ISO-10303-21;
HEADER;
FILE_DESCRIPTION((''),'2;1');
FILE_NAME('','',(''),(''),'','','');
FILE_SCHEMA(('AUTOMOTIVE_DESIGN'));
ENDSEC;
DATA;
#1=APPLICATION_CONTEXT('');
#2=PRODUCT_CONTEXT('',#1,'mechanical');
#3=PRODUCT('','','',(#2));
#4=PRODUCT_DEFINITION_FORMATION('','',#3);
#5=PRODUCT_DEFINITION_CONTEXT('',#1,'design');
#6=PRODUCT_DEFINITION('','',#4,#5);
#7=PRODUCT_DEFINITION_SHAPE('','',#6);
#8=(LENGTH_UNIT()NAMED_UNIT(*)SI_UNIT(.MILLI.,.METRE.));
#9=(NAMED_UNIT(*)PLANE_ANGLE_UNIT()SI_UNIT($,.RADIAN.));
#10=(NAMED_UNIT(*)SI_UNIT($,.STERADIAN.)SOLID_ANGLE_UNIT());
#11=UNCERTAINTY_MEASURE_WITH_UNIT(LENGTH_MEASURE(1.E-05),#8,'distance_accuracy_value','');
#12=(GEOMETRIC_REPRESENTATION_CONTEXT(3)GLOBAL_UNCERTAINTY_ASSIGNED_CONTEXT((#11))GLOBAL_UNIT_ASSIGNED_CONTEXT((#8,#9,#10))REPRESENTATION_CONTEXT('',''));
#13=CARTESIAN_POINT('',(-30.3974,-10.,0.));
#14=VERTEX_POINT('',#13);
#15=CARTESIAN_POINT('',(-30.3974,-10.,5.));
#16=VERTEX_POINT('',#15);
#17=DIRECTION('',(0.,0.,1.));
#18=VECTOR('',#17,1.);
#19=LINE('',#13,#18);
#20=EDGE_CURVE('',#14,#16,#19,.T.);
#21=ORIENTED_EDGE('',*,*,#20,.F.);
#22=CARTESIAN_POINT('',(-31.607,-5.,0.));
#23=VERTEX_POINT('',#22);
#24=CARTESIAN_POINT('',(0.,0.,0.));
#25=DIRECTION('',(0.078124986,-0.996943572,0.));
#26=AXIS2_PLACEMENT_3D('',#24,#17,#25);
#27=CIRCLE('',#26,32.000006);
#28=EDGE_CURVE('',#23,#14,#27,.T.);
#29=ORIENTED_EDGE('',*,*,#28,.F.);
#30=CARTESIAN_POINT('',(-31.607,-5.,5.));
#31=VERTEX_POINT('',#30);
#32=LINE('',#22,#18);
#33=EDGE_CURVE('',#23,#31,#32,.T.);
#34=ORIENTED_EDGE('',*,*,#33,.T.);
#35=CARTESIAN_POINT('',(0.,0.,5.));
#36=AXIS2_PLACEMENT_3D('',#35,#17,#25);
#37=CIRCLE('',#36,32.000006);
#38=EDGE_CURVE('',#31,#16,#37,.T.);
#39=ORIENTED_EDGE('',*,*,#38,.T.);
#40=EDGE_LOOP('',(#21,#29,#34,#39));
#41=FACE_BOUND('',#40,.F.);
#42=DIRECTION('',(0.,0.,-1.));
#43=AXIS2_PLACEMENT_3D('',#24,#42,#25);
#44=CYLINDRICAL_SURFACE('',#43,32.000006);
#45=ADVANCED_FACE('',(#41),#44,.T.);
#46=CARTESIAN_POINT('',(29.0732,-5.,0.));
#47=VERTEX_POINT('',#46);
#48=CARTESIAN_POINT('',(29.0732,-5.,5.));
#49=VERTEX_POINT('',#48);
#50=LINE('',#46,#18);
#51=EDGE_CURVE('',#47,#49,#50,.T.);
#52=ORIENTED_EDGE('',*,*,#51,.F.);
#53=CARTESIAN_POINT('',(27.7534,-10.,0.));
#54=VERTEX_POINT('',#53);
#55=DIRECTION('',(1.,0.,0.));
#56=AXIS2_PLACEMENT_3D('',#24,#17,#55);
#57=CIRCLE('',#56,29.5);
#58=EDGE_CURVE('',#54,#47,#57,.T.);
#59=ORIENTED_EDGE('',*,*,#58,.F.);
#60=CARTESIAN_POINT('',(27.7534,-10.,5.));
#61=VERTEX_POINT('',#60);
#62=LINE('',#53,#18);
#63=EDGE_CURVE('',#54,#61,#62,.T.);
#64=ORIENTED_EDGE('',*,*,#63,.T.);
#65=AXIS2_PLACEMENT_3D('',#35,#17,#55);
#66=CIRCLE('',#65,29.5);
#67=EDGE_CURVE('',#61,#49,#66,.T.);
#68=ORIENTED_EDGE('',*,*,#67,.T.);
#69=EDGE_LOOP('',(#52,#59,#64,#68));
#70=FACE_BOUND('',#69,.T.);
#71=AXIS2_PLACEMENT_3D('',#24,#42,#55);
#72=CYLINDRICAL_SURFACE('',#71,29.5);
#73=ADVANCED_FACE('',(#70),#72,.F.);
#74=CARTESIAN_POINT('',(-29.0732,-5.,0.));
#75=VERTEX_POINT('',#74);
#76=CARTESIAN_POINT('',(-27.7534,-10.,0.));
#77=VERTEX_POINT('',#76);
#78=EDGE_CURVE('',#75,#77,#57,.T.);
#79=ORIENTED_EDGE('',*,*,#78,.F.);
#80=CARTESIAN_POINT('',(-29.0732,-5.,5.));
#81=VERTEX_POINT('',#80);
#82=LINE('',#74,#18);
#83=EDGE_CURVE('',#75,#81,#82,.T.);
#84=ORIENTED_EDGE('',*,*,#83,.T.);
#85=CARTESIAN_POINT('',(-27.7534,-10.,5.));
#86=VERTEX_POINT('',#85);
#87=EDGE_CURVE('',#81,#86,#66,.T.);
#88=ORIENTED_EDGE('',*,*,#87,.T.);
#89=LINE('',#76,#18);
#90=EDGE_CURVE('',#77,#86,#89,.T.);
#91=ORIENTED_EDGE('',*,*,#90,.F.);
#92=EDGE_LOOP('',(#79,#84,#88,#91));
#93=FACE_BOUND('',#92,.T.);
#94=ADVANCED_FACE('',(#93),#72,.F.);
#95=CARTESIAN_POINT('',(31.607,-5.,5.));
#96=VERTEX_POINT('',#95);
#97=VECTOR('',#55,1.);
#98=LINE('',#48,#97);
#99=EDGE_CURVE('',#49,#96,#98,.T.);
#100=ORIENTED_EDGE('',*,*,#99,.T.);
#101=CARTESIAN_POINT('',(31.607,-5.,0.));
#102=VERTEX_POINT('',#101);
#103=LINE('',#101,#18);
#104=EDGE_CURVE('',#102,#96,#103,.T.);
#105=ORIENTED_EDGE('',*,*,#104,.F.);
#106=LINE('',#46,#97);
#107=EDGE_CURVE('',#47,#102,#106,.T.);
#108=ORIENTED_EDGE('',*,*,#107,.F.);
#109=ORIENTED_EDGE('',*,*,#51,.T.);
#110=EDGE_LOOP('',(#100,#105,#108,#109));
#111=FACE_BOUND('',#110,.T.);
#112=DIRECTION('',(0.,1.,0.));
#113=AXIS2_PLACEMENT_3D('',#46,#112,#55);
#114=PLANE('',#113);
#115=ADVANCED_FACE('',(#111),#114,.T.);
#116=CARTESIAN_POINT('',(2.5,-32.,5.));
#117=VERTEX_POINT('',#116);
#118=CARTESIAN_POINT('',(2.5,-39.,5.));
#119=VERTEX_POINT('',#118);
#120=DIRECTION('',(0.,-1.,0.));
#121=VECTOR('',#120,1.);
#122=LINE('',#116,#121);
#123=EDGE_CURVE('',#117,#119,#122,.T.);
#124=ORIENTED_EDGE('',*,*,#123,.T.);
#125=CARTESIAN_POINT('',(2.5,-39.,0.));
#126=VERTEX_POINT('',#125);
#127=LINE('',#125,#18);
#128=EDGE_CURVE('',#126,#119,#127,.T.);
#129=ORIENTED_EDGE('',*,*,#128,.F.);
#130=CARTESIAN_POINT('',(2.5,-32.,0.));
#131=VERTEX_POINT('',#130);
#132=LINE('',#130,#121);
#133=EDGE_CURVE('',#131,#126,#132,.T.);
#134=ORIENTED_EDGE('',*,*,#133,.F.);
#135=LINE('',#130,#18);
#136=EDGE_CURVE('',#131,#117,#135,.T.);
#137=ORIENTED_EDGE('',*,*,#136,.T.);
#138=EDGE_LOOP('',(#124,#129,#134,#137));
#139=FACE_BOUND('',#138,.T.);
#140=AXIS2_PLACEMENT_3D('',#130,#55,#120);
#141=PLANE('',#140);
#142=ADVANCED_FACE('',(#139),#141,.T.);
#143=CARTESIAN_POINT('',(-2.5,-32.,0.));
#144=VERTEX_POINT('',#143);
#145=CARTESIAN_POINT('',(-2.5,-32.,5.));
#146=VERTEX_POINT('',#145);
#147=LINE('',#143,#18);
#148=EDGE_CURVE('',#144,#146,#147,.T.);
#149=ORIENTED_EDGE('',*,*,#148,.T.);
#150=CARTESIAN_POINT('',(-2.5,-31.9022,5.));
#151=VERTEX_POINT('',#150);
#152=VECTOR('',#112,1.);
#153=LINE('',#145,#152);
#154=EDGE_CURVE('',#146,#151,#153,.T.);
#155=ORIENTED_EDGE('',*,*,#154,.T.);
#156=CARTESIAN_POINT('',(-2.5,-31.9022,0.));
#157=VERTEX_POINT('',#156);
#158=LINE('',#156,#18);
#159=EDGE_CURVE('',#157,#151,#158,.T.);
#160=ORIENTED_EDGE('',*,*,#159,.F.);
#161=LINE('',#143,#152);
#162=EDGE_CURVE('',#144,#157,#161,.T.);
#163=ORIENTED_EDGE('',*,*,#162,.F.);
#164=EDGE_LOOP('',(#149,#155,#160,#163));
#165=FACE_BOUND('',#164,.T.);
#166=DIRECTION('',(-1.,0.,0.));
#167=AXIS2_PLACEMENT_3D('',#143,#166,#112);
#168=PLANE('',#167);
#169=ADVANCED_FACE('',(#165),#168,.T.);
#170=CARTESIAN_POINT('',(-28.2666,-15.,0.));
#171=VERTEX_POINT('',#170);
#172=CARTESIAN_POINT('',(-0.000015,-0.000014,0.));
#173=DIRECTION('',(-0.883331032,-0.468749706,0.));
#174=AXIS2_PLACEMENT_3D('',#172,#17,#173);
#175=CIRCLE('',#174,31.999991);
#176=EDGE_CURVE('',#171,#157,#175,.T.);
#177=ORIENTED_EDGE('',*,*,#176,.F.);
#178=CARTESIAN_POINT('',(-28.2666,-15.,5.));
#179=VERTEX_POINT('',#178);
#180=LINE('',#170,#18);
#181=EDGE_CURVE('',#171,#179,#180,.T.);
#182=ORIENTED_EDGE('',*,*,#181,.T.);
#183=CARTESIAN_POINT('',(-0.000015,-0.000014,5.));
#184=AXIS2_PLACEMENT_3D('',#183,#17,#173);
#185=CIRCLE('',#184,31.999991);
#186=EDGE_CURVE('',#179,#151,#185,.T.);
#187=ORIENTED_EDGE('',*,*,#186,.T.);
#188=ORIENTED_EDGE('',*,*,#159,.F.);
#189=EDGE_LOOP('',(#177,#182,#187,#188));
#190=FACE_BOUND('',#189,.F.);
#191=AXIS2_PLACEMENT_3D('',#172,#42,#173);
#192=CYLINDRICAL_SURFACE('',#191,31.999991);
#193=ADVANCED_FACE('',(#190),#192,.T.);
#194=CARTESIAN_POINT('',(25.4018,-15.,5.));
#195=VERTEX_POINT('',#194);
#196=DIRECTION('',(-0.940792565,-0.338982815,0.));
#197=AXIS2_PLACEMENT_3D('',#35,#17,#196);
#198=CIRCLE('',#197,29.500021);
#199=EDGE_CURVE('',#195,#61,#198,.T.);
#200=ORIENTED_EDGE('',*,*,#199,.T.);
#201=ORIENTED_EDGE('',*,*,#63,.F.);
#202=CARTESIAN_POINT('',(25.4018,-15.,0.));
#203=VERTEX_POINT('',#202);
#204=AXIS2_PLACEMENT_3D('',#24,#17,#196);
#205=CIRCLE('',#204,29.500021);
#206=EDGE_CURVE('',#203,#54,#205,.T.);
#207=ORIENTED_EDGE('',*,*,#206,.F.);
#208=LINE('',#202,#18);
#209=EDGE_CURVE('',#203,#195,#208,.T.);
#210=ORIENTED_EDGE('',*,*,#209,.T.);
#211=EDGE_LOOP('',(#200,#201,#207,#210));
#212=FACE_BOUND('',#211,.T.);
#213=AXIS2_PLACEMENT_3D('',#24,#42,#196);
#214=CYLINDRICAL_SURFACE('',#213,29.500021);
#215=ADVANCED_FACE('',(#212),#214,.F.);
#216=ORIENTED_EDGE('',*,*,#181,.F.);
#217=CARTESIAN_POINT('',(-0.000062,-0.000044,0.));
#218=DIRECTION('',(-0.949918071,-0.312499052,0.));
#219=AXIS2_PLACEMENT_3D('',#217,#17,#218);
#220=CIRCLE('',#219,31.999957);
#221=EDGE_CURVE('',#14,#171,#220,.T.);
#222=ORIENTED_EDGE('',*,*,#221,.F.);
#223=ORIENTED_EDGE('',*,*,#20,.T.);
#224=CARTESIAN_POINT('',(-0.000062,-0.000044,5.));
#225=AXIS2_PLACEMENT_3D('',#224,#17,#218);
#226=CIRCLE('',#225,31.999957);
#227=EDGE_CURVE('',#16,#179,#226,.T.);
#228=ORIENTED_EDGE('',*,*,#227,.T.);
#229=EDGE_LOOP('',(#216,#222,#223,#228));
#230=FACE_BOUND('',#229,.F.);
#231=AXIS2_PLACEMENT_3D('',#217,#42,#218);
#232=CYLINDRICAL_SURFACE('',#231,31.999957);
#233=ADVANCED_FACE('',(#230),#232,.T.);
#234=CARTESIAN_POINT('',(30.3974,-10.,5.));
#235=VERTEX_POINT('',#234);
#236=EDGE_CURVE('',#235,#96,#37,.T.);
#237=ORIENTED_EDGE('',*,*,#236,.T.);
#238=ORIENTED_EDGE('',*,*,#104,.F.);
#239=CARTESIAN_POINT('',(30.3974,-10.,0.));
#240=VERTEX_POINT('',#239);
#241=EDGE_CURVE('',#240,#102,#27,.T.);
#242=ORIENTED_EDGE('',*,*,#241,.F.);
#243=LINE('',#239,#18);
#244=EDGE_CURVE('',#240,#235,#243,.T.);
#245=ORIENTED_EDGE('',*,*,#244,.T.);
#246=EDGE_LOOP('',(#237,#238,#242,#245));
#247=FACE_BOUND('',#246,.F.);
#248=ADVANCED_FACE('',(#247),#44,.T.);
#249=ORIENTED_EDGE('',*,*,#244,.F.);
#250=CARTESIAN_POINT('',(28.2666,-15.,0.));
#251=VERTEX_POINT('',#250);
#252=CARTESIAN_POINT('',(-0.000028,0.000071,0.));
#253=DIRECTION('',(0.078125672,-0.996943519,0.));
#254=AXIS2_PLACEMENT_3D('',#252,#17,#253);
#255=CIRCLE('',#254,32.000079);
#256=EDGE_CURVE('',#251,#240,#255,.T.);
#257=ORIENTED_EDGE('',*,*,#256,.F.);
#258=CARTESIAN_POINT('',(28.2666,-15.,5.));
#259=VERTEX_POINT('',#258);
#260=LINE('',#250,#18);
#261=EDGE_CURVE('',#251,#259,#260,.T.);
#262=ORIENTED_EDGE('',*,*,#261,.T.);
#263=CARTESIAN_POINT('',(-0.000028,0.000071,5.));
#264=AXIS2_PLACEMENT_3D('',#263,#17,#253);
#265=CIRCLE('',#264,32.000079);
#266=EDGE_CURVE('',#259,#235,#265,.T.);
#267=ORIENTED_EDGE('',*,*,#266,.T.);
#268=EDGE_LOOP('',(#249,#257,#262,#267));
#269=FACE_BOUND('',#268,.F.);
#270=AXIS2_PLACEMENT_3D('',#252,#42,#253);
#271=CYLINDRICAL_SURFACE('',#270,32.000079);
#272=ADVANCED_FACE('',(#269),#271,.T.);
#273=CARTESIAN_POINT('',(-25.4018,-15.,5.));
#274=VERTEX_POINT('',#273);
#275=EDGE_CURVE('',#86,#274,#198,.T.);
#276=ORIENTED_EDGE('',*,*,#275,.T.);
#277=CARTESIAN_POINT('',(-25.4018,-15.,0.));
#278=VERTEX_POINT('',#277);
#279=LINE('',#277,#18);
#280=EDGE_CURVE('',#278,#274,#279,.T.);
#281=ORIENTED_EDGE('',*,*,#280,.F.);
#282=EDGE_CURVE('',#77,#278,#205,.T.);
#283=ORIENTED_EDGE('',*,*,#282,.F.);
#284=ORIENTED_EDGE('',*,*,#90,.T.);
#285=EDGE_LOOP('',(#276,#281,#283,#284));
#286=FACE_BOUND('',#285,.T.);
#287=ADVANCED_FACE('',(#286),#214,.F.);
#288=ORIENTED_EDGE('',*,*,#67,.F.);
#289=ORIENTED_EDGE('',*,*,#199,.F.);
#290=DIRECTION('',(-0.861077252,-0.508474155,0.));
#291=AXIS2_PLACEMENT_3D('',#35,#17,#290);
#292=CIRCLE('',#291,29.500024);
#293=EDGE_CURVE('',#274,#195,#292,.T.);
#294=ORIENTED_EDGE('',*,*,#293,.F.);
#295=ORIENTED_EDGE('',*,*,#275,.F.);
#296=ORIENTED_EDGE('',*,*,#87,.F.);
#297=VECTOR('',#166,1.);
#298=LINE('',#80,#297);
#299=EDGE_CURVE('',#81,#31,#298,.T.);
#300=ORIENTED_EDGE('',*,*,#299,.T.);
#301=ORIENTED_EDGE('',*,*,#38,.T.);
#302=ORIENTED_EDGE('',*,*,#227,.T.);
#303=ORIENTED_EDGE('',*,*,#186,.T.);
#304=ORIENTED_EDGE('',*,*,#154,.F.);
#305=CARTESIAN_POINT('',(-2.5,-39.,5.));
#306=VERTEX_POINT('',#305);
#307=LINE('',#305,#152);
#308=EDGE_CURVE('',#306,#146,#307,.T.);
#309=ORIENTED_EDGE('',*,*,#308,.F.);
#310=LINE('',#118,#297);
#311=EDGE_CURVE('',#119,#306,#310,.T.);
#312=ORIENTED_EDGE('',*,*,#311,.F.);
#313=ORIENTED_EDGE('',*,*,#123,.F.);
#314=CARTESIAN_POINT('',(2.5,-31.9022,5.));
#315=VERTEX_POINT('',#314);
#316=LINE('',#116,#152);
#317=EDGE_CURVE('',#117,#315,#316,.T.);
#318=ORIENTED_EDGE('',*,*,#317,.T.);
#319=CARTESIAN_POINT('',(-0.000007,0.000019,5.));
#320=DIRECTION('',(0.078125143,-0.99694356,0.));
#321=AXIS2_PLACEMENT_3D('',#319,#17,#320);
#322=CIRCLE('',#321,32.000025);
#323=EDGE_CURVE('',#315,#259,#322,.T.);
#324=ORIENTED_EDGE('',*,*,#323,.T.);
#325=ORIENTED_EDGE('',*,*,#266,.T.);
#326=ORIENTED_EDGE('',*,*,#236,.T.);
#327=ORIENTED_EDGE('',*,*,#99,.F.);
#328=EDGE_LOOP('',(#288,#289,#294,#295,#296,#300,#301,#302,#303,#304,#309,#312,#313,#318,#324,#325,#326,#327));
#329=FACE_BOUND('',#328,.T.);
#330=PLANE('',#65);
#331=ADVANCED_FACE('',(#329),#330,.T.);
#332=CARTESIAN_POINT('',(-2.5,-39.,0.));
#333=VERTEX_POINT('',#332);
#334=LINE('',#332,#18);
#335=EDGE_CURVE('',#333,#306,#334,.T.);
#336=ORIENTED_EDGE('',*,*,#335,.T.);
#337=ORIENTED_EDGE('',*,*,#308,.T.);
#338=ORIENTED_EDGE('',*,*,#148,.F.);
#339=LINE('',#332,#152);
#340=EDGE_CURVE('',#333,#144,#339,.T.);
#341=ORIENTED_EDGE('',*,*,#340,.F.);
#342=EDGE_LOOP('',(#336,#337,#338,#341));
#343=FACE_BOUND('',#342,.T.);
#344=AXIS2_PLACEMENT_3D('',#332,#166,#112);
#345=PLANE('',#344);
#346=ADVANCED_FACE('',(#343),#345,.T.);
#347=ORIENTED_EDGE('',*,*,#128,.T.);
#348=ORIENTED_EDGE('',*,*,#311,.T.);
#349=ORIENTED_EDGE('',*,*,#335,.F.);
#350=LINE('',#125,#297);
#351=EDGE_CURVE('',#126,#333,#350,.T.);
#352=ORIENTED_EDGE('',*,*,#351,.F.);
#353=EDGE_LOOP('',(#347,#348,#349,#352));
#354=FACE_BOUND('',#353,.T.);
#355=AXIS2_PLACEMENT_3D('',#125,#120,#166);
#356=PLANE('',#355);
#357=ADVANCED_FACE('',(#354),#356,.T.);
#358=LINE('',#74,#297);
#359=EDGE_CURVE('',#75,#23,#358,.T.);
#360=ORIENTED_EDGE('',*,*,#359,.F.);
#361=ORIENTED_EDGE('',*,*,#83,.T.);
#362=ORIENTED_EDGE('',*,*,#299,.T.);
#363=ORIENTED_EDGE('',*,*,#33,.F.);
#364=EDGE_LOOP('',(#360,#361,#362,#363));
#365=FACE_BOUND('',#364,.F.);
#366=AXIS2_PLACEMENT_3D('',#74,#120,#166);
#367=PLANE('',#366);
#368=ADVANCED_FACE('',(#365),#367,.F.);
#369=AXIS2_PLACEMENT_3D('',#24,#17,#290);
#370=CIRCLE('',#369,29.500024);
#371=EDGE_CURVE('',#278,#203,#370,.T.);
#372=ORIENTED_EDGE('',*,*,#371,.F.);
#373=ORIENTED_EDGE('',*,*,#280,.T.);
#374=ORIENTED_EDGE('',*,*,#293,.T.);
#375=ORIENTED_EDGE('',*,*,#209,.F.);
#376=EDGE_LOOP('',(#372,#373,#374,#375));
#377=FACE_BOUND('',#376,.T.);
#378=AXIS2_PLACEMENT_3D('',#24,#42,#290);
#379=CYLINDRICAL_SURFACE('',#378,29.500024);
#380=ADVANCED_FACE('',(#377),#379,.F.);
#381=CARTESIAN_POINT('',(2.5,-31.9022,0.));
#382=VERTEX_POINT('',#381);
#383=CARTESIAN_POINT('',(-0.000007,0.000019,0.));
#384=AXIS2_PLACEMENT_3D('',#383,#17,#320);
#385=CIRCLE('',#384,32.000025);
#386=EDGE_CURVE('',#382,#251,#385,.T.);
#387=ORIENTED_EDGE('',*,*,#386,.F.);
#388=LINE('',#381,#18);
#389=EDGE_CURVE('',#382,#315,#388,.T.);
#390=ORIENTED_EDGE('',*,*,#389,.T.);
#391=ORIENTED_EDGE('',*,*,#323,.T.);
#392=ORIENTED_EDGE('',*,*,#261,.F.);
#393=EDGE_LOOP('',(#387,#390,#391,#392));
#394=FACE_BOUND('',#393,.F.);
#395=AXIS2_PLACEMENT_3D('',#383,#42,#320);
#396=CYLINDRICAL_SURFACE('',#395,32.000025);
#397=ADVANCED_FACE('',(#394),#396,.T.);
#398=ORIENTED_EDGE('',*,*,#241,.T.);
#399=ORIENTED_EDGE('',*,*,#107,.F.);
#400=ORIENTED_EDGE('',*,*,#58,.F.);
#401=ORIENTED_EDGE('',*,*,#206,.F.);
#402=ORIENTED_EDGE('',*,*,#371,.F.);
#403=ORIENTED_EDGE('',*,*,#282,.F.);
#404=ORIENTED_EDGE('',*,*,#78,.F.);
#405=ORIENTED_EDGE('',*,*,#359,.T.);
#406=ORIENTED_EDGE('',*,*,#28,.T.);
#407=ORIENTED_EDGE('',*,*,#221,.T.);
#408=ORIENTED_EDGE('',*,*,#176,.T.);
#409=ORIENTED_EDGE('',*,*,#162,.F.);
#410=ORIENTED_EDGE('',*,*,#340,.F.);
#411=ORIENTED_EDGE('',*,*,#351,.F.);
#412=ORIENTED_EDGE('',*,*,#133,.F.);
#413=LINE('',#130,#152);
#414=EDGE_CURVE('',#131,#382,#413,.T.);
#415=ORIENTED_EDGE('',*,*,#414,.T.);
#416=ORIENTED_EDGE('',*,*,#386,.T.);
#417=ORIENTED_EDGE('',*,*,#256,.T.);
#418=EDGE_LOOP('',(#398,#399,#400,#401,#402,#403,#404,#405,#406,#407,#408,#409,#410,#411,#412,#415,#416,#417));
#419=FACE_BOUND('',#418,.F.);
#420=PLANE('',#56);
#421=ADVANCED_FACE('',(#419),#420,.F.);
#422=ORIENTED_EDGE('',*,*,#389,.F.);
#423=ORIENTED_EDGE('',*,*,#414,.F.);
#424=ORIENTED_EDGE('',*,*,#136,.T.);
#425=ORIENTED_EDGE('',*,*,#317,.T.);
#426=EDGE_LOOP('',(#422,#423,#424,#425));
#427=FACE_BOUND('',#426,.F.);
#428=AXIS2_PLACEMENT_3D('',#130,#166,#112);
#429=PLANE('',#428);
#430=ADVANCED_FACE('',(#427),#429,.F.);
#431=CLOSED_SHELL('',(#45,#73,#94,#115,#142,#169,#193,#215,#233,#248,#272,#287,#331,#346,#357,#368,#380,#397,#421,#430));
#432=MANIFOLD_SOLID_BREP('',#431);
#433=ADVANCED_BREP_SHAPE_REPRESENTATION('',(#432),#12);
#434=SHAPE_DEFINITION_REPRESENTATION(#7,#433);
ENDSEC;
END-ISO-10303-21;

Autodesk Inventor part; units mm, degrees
ref_plane "YZ Plane" through (0, 0, 0) normal (1, 0, 0) x (0, 1, 0)
ref_plane "XZ Plane" through (0, 0, 0) normal (0, 1, 0) x (-1, 0, 0)
ref_plane "XY Plane" through (0, 0, 0) normal (0, 0, 1) x (1, 0, 0)
sketch "Sketch1" plane through (0, 0, 0) normal (0, 0, 1) x (1, 0, 0)
  arc A0 (-25.4018, -15) -> (25.4018, -15) centre (0, 0) ccw
  line L0 (2.5, -32) -> (2.5, -39)
  line L1 (2.5, -39) -> (-2.5, -39)
  line L2 (-2.5, -39) -> (-2.5, -32)
  line L3 (-2.5, -32) -> (-2.5, -31.9022)
  line L4 (2.5, -32) -> (2.5, -31.9022)
  arc A1 (-28.2666, -15) -> (-2.5, -31.9022) centre (0, 0) ccw
  arc A2 (2.5, -31.9022) -> (28.2666, -15) centre (0, 0) ccw
  arc A3 (-27.7534, -10) -> (27.7534, -10) centre (0, 0) ccw
  arc A4 (-30.3974, -10) -> (-2.5, -31.9022) centre (0, 0) ccw
  arc A5 (2.5, -31.9022) -> (30.3974, -10) centre (0, 0) ccw
  circle A6 centre (0, 0) radius 29.5
  arc A7 (2.5, -31.9022) -> (-2.5, -31.9022) centre (0, 0) ccw
  line L5 (-29.0732, -5) -> (-31.607, -5)
  line L6 (29.0732, -5) -> (31.607, -5)
  point P0 (25.4018, -15)
  point P1 (-28.2666, -15)
  point P2 (27.7534, -10)
  point P3 (-30.3974, -10)
  dimension "d43" = 5
  dimension "d64" = 7
extrude "Extrusion7" add sketch "Sketch1" along normal blind 5 contours A0 A3 A6 L6 A7 A5 A2 L4 L0 L1 L2 L3 A1 A4 L5
properties part number "Clip_TestFitV1"
